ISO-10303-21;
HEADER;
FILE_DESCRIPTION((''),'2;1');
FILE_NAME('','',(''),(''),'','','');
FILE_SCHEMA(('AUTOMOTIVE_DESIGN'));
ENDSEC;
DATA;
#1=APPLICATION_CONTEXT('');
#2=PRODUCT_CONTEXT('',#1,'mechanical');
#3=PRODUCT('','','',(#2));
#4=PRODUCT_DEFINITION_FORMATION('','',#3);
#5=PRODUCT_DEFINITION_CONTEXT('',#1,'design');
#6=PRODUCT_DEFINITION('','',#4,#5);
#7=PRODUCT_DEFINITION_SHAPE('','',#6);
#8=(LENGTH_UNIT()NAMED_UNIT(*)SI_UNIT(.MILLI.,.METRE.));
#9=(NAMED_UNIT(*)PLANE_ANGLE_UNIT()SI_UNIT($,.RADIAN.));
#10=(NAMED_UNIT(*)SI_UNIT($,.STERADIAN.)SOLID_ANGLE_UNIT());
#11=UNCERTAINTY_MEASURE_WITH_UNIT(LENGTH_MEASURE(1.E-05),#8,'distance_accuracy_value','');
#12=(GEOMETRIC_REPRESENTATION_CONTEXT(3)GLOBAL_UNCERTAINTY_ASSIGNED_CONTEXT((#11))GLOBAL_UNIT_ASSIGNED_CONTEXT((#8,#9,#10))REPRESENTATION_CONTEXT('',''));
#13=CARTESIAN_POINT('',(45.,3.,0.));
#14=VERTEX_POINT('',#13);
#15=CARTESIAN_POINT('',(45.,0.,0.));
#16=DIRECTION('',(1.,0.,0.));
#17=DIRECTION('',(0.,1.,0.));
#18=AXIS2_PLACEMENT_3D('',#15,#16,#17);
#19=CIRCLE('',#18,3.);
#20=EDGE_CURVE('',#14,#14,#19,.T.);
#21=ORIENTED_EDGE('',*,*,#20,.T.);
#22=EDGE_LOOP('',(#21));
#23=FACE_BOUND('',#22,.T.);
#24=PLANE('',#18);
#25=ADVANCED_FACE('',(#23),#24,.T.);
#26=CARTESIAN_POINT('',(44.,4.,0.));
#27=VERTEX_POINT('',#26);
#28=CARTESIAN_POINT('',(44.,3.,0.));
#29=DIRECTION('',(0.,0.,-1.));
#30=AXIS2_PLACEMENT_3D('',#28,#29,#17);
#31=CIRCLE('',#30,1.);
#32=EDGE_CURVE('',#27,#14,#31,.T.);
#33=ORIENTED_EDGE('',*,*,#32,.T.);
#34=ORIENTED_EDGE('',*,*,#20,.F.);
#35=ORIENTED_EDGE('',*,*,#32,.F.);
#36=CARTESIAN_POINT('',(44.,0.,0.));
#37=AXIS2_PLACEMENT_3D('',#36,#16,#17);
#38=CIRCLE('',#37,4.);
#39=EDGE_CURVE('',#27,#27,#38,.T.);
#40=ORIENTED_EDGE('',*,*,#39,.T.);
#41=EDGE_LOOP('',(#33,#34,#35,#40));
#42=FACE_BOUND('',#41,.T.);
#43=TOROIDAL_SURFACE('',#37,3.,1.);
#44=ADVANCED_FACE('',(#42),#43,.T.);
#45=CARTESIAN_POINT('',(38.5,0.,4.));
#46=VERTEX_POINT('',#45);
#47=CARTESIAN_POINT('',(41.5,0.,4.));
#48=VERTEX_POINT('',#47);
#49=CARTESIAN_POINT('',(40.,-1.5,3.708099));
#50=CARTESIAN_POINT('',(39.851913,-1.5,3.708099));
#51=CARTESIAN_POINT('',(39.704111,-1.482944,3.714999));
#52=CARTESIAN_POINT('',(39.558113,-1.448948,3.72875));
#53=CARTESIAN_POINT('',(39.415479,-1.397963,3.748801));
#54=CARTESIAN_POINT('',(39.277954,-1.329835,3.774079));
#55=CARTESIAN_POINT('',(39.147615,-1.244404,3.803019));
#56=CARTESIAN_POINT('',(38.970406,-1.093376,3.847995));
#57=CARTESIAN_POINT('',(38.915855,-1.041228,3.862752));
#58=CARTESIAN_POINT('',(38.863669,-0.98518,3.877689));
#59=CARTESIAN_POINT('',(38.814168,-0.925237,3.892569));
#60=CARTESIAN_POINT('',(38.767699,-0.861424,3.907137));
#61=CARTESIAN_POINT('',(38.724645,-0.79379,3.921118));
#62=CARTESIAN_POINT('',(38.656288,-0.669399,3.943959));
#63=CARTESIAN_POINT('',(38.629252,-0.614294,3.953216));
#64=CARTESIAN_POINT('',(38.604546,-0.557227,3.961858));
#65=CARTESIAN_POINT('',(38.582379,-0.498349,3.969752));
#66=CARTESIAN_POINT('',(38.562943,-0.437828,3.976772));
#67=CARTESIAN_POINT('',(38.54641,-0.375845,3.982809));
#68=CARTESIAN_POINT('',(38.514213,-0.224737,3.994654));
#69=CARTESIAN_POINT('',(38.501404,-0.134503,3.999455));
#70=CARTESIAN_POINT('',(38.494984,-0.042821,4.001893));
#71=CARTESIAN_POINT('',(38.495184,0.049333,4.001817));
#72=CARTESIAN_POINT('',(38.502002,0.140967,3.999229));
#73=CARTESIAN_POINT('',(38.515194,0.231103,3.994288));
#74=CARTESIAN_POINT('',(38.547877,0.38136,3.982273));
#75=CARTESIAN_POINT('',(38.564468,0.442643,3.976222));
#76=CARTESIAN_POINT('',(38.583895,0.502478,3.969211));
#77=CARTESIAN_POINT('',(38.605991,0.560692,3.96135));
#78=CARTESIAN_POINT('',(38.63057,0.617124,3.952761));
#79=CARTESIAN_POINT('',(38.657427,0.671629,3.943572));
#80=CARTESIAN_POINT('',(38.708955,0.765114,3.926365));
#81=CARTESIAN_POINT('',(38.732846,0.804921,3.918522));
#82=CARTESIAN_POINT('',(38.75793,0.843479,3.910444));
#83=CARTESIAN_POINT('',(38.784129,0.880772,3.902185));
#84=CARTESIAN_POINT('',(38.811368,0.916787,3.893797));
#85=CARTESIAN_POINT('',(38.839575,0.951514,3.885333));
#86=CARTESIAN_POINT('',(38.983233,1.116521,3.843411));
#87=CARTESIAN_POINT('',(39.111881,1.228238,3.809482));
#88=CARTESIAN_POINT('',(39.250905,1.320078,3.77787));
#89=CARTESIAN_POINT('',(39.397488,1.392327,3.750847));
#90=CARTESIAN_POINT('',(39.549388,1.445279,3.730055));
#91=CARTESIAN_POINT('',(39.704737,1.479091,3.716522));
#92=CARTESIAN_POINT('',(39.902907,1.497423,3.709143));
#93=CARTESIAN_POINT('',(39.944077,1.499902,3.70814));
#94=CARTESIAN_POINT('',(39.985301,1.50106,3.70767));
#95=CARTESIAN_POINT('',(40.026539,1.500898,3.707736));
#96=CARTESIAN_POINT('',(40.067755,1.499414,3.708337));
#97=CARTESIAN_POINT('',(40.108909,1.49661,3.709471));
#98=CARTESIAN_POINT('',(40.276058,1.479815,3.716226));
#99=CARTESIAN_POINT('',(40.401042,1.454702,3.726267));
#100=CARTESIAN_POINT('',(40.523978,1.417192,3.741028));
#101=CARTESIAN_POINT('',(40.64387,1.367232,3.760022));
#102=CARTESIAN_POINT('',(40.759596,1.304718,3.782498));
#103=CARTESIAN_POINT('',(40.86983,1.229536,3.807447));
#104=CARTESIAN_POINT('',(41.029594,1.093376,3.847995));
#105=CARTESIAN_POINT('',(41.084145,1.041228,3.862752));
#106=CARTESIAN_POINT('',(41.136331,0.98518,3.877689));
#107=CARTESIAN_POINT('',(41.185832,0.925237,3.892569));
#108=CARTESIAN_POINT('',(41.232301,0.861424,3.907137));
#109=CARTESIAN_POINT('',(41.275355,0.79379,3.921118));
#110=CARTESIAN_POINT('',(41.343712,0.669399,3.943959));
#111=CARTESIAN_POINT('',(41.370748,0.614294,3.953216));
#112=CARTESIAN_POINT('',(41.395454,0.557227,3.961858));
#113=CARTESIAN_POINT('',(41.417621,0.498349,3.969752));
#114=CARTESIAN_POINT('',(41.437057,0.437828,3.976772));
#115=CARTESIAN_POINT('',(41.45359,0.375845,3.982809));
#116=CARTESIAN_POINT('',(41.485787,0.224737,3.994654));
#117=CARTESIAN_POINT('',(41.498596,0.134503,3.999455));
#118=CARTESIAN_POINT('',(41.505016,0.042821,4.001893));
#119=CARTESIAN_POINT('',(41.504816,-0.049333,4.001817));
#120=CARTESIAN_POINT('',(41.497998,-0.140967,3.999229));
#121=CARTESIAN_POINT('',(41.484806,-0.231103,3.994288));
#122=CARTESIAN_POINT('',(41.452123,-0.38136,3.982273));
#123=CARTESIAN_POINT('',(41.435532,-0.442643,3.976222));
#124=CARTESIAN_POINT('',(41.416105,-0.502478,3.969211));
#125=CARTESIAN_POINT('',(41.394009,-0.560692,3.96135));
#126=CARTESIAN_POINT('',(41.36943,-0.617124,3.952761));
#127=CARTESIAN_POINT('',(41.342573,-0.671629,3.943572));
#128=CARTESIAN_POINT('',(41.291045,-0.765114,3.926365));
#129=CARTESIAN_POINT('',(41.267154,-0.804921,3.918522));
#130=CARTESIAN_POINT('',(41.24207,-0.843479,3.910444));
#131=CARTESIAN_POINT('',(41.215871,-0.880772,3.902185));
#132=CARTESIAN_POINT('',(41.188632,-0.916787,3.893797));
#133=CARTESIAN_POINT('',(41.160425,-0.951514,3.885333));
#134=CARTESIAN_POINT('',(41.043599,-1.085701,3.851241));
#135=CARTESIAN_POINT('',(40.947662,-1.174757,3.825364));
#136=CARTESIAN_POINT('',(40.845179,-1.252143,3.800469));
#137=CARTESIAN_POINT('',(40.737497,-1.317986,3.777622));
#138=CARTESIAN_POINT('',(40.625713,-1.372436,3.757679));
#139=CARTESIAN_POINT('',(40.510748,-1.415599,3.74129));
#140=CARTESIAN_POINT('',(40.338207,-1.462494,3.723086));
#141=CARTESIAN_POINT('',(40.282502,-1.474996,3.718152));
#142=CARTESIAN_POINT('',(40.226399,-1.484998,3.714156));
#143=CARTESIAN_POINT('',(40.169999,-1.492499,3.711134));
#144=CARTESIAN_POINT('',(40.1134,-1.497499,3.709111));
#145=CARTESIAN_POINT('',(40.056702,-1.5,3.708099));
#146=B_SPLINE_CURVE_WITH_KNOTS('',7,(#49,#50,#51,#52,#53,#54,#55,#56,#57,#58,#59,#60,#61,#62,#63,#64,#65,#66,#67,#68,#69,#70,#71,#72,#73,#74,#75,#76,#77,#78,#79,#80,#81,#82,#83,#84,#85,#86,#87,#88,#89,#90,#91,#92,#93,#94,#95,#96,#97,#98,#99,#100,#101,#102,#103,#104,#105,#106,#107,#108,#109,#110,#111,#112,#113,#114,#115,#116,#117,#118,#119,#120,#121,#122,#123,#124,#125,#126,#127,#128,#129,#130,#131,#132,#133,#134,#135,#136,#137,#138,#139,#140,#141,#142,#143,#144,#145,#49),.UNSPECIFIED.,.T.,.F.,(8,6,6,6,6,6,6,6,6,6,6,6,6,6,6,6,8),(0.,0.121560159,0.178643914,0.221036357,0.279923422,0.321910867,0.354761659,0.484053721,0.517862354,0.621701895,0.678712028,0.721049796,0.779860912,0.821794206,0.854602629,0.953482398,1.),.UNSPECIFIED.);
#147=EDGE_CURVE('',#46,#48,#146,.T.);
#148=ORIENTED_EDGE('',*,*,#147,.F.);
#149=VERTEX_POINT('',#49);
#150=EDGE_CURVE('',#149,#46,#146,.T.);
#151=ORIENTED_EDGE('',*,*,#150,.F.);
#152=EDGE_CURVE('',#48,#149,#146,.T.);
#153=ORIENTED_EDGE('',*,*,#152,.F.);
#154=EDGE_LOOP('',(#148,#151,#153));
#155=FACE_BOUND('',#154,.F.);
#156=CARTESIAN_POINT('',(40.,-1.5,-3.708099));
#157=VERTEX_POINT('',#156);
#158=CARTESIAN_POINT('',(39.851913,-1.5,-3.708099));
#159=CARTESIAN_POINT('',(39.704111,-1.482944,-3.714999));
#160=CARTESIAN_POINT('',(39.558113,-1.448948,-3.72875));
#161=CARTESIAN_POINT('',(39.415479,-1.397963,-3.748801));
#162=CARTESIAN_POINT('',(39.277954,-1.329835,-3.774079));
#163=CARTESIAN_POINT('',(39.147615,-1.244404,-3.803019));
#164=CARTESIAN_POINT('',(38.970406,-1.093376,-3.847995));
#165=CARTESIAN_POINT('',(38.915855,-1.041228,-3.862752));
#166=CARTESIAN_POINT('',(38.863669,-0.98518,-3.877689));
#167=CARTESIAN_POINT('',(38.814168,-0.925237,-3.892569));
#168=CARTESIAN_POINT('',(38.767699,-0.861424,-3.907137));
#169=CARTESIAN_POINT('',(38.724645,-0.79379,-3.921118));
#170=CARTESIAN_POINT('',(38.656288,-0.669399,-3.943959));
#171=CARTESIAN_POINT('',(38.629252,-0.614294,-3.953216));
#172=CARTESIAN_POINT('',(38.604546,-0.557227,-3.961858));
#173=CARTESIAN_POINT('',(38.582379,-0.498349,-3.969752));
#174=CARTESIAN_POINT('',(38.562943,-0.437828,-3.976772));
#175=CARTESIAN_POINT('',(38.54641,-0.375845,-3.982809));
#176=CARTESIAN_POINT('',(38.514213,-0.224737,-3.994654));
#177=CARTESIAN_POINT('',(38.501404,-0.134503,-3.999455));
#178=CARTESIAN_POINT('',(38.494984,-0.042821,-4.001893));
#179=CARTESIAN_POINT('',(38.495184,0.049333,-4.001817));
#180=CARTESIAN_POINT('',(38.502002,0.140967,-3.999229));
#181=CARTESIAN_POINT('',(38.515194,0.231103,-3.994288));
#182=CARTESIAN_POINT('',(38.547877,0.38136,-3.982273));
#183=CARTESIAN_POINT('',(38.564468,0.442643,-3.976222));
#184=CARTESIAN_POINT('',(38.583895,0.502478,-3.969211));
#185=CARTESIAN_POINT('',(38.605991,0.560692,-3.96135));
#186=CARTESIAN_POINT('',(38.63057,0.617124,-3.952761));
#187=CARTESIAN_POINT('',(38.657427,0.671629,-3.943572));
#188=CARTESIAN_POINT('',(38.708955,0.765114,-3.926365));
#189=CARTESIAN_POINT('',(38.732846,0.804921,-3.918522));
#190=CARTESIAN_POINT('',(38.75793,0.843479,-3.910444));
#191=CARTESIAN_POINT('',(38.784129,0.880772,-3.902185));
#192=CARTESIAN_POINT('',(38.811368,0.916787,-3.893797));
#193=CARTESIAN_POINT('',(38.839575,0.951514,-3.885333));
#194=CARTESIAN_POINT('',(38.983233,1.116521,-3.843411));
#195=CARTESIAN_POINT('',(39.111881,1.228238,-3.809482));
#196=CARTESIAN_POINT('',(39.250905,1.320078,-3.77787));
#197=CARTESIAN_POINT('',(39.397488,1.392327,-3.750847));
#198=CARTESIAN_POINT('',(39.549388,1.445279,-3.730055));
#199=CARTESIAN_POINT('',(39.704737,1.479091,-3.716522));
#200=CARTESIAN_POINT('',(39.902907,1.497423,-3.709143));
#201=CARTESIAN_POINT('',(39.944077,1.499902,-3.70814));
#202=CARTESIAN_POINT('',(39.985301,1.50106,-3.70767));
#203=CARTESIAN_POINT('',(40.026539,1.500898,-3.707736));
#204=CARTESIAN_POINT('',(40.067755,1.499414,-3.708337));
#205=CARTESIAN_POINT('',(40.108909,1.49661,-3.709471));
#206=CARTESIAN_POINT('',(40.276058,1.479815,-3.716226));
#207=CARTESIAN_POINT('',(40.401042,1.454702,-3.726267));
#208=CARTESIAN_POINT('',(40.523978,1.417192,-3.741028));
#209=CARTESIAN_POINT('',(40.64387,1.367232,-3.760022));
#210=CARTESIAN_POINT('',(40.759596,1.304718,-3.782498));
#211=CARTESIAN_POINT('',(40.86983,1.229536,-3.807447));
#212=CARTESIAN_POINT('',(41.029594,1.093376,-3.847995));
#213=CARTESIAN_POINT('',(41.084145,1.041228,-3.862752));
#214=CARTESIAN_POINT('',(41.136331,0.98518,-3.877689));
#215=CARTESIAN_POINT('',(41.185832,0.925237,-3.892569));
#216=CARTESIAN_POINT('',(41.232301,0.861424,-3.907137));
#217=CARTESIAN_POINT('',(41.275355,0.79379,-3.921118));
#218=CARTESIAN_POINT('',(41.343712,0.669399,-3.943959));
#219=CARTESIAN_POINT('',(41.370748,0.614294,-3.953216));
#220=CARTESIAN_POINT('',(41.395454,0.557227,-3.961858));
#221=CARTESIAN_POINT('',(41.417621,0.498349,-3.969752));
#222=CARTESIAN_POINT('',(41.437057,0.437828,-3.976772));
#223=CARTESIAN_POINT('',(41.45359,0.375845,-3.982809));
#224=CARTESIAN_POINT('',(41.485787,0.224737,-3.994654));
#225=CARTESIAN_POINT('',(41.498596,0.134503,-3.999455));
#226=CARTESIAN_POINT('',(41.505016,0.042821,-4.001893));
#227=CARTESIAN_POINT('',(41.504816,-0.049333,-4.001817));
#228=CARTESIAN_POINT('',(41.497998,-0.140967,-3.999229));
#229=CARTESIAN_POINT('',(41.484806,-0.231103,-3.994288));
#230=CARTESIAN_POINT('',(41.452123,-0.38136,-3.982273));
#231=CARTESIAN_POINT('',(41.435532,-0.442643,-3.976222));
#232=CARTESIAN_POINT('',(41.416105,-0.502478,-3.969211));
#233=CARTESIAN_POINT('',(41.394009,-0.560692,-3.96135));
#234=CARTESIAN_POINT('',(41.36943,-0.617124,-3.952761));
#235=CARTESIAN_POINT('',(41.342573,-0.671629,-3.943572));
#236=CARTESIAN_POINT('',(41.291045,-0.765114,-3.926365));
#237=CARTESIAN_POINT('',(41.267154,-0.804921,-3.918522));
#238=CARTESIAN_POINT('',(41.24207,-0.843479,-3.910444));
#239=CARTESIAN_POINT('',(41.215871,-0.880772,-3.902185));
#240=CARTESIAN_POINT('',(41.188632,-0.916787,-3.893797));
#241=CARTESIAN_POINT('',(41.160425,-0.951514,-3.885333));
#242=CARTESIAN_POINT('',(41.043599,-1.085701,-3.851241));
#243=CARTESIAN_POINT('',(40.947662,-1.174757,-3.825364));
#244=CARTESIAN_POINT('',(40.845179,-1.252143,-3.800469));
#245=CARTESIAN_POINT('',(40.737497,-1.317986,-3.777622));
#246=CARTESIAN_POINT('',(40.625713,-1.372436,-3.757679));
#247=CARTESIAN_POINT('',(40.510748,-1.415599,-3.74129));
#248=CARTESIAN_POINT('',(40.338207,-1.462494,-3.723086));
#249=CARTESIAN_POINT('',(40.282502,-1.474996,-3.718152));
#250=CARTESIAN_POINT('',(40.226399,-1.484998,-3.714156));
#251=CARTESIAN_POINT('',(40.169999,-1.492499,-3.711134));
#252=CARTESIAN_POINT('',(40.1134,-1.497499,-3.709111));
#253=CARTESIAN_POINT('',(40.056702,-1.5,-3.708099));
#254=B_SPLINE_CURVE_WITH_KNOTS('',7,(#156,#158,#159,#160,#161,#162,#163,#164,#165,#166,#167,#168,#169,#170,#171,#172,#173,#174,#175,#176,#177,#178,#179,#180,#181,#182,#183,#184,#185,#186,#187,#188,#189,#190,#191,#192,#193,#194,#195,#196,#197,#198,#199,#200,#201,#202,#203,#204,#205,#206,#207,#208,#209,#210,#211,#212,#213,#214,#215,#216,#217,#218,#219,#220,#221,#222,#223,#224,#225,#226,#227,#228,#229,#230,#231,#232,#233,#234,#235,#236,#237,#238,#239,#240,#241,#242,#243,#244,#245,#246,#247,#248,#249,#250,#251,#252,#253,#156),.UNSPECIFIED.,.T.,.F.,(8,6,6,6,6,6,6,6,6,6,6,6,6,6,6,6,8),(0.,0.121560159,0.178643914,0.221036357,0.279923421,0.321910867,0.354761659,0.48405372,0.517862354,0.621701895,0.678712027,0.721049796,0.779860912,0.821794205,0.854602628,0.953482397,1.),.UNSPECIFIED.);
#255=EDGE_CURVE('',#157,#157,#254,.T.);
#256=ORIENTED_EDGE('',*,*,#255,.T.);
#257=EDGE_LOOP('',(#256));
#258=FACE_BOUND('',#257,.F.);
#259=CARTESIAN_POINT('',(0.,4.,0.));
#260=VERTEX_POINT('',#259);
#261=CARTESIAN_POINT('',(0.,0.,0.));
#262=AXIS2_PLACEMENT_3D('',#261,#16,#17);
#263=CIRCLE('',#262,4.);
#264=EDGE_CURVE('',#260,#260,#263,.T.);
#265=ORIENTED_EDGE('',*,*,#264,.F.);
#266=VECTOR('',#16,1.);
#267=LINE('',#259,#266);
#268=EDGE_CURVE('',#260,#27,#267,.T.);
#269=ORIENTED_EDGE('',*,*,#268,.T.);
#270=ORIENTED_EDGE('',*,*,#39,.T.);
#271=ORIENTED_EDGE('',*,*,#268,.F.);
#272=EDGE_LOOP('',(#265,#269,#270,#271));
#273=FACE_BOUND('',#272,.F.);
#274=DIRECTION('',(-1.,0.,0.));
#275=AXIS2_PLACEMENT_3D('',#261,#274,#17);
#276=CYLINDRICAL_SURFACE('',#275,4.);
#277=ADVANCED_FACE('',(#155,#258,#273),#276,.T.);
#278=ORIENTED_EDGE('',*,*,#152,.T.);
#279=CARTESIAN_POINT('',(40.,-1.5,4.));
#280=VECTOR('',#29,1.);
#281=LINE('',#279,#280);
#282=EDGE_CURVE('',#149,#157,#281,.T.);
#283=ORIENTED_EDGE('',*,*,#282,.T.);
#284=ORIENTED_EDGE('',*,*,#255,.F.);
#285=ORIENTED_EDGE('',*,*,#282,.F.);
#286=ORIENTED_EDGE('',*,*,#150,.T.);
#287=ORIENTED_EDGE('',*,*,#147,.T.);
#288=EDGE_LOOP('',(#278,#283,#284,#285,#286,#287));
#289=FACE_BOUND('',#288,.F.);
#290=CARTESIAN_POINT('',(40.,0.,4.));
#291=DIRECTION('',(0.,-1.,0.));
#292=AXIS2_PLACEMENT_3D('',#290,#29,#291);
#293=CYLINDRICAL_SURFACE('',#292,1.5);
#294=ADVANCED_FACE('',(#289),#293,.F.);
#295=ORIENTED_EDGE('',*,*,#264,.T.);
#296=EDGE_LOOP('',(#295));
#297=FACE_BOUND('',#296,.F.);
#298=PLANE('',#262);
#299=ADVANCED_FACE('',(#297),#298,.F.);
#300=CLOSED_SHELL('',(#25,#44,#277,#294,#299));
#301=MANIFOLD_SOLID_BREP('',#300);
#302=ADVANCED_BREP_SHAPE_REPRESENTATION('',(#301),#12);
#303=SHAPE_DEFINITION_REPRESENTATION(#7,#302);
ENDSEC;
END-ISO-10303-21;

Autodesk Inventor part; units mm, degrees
ref_plane "YZ Plane" through (0, 0, 0) normal (1, 0, 0) x (0, 1, 0)
ref_plane "XZ Plane" through (0, 0, 0) normal (0, 1, 0) x (-1, 0, 0)
sketch "Esboço1" plane through (0, 0, 0) normal (1, 0, 0) x (0, 1, 0)
  circle A0 centre (0, 0) radius 4
  dimension "d0" = 8
extrude "Extrusão1" add sketch "Esboço1" along normal blind 45
fillet "Arredondamento1" radius 1 1 edges at (45, -4, 0)
ref_plane "Plano de trabalho1" through (0, 0, 4) normal (0, 0, 1) x (1, 0, 0)
sketch "Esboço2" plane through (0, 0, 4) normal (0, 0, 1) x (1, 0, 0)
  line L0 (45, 3) -> (45, -3) projected
  line L1 (45, 0) -> (40, 0)
  point P0 (0, 0)
  dimension "d5" = 5
hole "Furo1" at (40, 0, 4) direction (0, 0, -1) diameter 3 end through all
properties part number "piston"
